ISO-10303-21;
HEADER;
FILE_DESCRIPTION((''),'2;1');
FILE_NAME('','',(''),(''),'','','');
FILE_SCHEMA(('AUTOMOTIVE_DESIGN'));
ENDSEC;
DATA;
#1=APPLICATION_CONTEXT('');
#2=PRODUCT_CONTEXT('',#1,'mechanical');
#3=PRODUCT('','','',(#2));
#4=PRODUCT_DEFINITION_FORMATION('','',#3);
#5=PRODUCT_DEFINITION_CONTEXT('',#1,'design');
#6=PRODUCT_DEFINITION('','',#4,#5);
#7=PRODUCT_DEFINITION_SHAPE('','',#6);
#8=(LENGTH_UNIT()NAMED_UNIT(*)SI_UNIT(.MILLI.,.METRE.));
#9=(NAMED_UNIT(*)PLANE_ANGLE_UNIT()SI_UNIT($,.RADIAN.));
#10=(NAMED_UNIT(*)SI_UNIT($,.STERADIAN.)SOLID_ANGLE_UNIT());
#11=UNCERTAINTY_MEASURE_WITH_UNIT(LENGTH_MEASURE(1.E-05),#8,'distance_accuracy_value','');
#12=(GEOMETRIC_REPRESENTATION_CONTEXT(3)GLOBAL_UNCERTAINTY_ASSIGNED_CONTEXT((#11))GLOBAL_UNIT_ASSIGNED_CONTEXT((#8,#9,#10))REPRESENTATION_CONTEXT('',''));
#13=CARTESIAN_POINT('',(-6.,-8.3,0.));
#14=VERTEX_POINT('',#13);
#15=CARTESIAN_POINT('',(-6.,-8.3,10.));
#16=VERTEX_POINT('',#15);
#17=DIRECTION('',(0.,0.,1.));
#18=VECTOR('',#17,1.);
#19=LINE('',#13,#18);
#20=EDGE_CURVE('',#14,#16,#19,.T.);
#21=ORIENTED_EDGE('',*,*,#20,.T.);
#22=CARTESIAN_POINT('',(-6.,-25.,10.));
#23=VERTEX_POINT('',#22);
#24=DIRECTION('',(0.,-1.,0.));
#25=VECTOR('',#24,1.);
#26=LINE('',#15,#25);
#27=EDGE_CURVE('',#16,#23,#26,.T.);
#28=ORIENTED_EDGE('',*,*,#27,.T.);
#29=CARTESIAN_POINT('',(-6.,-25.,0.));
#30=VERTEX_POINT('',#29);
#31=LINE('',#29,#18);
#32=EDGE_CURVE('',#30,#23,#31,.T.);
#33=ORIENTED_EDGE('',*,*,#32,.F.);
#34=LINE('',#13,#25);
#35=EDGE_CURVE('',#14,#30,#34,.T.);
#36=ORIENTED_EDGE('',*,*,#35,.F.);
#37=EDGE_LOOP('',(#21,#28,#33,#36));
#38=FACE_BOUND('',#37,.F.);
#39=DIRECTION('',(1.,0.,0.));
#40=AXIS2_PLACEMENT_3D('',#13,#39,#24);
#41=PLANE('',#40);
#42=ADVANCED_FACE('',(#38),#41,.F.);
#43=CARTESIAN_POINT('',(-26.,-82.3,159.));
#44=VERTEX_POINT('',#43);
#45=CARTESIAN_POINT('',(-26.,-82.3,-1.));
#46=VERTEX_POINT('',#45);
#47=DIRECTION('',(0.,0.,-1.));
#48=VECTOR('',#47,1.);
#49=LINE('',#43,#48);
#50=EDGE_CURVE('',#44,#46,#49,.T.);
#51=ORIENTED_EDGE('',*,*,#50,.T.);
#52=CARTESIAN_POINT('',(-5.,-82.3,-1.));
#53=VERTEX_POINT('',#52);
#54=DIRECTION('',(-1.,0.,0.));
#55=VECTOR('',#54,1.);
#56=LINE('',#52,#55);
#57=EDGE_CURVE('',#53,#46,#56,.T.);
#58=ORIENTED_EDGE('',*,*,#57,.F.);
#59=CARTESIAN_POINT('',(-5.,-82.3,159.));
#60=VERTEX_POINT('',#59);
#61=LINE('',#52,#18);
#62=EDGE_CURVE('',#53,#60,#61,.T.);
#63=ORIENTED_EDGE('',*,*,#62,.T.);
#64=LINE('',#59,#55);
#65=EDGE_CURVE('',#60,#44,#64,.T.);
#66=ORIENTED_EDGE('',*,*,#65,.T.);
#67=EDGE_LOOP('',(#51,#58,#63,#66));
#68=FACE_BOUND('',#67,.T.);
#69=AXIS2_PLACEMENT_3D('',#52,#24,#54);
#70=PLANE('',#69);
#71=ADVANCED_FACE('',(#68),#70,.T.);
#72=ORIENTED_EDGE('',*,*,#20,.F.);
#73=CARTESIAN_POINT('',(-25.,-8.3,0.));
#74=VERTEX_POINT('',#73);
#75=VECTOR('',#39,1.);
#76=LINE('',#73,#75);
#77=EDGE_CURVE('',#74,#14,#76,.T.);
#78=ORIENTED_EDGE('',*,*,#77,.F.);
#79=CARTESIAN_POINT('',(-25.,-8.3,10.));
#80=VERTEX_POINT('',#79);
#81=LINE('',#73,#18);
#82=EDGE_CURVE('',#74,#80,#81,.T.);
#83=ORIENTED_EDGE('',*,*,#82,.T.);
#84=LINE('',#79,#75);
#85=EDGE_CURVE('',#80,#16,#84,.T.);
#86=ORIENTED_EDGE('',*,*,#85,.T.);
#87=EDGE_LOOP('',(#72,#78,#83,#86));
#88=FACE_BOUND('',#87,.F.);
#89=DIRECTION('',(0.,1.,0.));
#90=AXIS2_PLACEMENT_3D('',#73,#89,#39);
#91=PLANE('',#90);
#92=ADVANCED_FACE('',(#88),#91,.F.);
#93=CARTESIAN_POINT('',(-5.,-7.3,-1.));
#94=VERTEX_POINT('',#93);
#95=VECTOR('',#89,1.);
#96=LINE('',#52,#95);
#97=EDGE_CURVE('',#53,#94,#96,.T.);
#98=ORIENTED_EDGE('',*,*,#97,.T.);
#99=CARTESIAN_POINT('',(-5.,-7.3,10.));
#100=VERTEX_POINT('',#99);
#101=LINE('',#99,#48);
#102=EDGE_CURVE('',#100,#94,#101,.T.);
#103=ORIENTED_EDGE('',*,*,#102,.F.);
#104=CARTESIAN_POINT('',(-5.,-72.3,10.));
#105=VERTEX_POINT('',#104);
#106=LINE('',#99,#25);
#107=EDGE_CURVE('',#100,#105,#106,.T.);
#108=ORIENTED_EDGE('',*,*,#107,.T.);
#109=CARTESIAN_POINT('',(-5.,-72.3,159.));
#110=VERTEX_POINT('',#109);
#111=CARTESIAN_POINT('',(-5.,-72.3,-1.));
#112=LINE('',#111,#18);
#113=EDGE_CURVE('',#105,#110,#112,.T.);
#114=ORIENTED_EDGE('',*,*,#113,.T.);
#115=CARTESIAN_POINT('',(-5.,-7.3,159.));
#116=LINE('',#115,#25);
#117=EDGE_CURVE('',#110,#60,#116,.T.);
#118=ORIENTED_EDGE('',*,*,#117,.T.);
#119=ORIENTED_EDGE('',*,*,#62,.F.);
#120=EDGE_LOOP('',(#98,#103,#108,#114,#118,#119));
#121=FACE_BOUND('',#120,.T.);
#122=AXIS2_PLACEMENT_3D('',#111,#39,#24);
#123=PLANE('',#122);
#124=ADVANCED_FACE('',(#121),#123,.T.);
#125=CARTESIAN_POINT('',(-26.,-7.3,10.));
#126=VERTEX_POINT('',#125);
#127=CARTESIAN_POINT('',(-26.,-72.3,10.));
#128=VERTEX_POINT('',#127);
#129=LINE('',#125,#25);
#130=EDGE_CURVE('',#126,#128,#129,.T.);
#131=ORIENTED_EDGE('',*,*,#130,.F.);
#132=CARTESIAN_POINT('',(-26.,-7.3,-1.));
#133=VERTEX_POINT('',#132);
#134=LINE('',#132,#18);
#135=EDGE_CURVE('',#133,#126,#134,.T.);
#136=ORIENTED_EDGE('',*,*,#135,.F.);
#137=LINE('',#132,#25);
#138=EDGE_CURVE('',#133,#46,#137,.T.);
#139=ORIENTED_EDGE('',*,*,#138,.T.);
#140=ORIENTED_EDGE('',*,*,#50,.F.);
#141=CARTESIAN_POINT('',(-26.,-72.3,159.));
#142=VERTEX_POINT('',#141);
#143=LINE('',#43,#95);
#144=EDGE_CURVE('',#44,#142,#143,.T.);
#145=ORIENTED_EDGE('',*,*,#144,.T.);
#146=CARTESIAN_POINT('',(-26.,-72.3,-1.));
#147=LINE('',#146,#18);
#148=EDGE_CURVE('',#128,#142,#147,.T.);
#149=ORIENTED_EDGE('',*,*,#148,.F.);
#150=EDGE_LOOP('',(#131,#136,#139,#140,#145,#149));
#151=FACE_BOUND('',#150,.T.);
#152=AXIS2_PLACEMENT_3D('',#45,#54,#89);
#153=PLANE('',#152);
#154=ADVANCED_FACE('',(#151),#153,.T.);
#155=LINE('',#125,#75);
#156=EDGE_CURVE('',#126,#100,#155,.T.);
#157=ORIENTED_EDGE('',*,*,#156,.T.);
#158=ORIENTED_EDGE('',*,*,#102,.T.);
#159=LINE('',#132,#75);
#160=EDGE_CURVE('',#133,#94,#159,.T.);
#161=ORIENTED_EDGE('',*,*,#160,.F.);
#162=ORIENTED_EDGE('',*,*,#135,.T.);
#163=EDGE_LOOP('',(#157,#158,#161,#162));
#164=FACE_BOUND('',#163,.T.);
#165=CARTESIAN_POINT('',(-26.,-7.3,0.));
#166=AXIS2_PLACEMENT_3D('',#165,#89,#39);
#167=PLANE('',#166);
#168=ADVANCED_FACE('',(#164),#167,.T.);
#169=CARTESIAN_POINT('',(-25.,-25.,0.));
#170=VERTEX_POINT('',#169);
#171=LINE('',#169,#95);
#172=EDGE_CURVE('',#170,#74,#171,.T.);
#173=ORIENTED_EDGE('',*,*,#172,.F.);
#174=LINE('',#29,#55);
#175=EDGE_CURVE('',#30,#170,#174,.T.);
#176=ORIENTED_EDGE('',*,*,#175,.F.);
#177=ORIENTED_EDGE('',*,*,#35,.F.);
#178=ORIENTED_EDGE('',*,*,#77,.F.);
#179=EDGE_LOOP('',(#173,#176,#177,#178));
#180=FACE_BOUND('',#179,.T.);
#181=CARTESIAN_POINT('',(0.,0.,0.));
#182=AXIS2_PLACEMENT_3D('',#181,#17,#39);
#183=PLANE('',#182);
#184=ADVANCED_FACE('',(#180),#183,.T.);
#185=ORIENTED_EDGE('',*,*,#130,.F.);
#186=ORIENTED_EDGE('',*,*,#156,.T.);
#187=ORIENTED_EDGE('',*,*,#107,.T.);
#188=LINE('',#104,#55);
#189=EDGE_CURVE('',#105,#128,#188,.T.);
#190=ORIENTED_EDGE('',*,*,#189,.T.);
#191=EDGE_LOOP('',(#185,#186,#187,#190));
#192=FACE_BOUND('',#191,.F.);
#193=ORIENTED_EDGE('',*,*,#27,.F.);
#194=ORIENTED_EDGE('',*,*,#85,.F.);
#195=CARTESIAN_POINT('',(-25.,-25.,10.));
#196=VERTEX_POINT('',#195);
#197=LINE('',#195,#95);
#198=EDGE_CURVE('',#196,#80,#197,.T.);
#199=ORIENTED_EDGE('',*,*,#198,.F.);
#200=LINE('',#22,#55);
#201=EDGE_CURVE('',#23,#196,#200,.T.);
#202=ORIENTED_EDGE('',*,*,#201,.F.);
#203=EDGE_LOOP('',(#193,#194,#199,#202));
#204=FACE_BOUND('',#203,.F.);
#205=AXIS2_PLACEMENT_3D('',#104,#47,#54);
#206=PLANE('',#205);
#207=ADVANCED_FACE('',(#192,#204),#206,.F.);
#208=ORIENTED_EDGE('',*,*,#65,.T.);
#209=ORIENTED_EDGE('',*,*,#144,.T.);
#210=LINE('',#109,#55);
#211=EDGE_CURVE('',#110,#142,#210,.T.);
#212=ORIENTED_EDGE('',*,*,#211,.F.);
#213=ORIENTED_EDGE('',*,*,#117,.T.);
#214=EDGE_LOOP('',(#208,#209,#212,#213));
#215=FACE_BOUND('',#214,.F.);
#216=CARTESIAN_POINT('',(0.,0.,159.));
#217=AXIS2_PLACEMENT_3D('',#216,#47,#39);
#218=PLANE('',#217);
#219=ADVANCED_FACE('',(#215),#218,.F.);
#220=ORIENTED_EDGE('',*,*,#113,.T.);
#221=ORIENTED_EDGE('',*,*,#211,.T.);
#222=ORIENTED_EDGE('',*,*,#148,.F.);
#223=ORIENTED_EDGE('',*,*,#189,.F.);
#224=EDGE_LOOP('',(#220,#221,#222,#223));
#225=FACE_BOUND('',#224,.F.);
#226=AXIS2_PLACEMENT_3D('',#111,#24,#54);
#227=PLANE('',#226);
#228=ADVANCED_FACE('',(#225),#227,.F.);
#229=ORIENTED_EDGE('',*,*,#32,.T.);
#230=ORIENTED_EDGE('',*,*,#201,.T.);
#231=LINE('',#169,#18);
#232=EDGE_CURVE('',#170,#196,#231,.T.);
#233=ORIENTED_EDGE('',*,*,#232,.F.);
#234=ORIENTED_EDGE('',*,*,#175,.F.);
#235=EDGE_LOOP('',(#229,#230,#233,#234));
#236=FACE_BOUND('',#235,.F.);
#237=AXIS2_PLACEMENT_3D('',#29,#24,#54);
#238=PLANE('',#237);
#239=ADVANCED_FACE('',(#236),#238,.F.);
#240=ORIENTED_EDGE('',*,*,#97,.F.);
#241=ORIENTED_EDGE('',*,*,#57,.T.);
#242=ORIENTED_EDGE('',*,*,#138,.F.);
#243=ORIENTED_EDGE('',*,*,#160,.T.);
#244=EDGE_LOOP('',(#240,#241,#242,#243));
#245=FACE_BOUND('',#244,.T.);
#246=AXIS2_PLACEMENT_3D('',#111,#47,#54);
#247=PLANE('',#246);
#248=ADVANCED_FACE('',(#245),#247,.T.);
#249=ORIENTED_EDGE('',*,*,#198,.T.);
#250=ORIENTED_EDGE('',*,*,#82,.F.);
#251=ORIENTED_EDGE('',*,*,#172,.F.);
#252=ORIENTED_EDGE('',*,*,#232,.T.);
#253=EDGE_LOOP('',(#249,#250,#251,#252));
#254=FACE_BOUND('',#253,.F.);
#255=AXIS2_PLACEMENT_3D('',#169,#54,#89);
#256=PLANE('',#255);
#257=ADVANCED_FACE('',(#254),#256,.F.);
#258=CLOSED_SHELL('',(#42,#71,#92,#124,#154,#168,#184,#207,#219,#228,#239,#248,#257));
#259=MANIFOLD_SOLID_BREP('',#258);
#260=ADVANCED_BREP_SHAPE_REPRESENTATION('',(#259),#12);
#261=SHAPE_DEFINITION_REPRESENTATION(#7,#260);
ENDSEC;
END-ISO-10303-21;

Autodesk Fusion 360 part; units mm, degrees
sketch "Szkic1" plane through (0, 0, 0) normal (0, 0, 1) x (1, 0, 0)
  line L0 (-6, -25) -> (-25, -25)
  line L1 (-25, -25) -> (-25, -8.3)
  line L2 (-25, -8.3) -> (-6, -8.3)
  line L3 (-6, -8.3) -> (-6, -25)
  line L4 (-26, -7.3) -> (-5, -7.3)
  line L5 (-5, -7.3) -> (-5, -26)
  line L6 (-5, -26) -> (-26, -26)
  line L7 (-26, -26) -> (-26, -7.3)
  dimension "d1" = 16.7
  dimension "d2" = 19
  dimension "d3" = 1
  dimension "d4" = 1
  dimension "d5" = 1
  dimension "d6" = 1
extrude "Wyciągnięcie proste1" add sketch "Szkic1" along normal blind 10
extrude "Wyciągnięcie proste2" add sketch "Szkic1" against normal blind 1 contours L0 L1 L2 L3 | L4 L5 L6 L7
extrude "Wyciągnięcie proste3" add 1 faces at (-12, -26, 2.6667) along direction (0, -1, 0) blind 46.3
extrude "Wyciągnięcie proste4" add 1 faces at (-12, -72.3, 2.6667) along direction (0, -1, 0) blind 10
sketch "Szkic2" plane through (0, 0, -1) normal (0, 0, -1) x (1, 0, 0)
  line L0 (-26, 82.3) -> (-26, 7.3)
  line L1 (-26, 7.3) -> (-5, 7.3)
  line L2 (-5, 7.3) -> (-5, 82.3)
  line L3 (-5, 82.3) -> (-26, 82.3)
  line L4 (-26, 82.3) -> (-5, 82.3)
  line L5 (-5, 82.3) -> (-5, 72.3)
  line L6 (-5, 72.3) -> (-26, 72.3)
  line L7 (-26, 72.3) -> (-26, 82.3)
  dimension "d15" = 10
extrude "Wyciągnięcie proste5" add sketch "Szkic2" against normal blind 160 contours L0 L2 L3 L4 L5 L6 L7
equation "d11 = 65 mm - 18.7 mm"
